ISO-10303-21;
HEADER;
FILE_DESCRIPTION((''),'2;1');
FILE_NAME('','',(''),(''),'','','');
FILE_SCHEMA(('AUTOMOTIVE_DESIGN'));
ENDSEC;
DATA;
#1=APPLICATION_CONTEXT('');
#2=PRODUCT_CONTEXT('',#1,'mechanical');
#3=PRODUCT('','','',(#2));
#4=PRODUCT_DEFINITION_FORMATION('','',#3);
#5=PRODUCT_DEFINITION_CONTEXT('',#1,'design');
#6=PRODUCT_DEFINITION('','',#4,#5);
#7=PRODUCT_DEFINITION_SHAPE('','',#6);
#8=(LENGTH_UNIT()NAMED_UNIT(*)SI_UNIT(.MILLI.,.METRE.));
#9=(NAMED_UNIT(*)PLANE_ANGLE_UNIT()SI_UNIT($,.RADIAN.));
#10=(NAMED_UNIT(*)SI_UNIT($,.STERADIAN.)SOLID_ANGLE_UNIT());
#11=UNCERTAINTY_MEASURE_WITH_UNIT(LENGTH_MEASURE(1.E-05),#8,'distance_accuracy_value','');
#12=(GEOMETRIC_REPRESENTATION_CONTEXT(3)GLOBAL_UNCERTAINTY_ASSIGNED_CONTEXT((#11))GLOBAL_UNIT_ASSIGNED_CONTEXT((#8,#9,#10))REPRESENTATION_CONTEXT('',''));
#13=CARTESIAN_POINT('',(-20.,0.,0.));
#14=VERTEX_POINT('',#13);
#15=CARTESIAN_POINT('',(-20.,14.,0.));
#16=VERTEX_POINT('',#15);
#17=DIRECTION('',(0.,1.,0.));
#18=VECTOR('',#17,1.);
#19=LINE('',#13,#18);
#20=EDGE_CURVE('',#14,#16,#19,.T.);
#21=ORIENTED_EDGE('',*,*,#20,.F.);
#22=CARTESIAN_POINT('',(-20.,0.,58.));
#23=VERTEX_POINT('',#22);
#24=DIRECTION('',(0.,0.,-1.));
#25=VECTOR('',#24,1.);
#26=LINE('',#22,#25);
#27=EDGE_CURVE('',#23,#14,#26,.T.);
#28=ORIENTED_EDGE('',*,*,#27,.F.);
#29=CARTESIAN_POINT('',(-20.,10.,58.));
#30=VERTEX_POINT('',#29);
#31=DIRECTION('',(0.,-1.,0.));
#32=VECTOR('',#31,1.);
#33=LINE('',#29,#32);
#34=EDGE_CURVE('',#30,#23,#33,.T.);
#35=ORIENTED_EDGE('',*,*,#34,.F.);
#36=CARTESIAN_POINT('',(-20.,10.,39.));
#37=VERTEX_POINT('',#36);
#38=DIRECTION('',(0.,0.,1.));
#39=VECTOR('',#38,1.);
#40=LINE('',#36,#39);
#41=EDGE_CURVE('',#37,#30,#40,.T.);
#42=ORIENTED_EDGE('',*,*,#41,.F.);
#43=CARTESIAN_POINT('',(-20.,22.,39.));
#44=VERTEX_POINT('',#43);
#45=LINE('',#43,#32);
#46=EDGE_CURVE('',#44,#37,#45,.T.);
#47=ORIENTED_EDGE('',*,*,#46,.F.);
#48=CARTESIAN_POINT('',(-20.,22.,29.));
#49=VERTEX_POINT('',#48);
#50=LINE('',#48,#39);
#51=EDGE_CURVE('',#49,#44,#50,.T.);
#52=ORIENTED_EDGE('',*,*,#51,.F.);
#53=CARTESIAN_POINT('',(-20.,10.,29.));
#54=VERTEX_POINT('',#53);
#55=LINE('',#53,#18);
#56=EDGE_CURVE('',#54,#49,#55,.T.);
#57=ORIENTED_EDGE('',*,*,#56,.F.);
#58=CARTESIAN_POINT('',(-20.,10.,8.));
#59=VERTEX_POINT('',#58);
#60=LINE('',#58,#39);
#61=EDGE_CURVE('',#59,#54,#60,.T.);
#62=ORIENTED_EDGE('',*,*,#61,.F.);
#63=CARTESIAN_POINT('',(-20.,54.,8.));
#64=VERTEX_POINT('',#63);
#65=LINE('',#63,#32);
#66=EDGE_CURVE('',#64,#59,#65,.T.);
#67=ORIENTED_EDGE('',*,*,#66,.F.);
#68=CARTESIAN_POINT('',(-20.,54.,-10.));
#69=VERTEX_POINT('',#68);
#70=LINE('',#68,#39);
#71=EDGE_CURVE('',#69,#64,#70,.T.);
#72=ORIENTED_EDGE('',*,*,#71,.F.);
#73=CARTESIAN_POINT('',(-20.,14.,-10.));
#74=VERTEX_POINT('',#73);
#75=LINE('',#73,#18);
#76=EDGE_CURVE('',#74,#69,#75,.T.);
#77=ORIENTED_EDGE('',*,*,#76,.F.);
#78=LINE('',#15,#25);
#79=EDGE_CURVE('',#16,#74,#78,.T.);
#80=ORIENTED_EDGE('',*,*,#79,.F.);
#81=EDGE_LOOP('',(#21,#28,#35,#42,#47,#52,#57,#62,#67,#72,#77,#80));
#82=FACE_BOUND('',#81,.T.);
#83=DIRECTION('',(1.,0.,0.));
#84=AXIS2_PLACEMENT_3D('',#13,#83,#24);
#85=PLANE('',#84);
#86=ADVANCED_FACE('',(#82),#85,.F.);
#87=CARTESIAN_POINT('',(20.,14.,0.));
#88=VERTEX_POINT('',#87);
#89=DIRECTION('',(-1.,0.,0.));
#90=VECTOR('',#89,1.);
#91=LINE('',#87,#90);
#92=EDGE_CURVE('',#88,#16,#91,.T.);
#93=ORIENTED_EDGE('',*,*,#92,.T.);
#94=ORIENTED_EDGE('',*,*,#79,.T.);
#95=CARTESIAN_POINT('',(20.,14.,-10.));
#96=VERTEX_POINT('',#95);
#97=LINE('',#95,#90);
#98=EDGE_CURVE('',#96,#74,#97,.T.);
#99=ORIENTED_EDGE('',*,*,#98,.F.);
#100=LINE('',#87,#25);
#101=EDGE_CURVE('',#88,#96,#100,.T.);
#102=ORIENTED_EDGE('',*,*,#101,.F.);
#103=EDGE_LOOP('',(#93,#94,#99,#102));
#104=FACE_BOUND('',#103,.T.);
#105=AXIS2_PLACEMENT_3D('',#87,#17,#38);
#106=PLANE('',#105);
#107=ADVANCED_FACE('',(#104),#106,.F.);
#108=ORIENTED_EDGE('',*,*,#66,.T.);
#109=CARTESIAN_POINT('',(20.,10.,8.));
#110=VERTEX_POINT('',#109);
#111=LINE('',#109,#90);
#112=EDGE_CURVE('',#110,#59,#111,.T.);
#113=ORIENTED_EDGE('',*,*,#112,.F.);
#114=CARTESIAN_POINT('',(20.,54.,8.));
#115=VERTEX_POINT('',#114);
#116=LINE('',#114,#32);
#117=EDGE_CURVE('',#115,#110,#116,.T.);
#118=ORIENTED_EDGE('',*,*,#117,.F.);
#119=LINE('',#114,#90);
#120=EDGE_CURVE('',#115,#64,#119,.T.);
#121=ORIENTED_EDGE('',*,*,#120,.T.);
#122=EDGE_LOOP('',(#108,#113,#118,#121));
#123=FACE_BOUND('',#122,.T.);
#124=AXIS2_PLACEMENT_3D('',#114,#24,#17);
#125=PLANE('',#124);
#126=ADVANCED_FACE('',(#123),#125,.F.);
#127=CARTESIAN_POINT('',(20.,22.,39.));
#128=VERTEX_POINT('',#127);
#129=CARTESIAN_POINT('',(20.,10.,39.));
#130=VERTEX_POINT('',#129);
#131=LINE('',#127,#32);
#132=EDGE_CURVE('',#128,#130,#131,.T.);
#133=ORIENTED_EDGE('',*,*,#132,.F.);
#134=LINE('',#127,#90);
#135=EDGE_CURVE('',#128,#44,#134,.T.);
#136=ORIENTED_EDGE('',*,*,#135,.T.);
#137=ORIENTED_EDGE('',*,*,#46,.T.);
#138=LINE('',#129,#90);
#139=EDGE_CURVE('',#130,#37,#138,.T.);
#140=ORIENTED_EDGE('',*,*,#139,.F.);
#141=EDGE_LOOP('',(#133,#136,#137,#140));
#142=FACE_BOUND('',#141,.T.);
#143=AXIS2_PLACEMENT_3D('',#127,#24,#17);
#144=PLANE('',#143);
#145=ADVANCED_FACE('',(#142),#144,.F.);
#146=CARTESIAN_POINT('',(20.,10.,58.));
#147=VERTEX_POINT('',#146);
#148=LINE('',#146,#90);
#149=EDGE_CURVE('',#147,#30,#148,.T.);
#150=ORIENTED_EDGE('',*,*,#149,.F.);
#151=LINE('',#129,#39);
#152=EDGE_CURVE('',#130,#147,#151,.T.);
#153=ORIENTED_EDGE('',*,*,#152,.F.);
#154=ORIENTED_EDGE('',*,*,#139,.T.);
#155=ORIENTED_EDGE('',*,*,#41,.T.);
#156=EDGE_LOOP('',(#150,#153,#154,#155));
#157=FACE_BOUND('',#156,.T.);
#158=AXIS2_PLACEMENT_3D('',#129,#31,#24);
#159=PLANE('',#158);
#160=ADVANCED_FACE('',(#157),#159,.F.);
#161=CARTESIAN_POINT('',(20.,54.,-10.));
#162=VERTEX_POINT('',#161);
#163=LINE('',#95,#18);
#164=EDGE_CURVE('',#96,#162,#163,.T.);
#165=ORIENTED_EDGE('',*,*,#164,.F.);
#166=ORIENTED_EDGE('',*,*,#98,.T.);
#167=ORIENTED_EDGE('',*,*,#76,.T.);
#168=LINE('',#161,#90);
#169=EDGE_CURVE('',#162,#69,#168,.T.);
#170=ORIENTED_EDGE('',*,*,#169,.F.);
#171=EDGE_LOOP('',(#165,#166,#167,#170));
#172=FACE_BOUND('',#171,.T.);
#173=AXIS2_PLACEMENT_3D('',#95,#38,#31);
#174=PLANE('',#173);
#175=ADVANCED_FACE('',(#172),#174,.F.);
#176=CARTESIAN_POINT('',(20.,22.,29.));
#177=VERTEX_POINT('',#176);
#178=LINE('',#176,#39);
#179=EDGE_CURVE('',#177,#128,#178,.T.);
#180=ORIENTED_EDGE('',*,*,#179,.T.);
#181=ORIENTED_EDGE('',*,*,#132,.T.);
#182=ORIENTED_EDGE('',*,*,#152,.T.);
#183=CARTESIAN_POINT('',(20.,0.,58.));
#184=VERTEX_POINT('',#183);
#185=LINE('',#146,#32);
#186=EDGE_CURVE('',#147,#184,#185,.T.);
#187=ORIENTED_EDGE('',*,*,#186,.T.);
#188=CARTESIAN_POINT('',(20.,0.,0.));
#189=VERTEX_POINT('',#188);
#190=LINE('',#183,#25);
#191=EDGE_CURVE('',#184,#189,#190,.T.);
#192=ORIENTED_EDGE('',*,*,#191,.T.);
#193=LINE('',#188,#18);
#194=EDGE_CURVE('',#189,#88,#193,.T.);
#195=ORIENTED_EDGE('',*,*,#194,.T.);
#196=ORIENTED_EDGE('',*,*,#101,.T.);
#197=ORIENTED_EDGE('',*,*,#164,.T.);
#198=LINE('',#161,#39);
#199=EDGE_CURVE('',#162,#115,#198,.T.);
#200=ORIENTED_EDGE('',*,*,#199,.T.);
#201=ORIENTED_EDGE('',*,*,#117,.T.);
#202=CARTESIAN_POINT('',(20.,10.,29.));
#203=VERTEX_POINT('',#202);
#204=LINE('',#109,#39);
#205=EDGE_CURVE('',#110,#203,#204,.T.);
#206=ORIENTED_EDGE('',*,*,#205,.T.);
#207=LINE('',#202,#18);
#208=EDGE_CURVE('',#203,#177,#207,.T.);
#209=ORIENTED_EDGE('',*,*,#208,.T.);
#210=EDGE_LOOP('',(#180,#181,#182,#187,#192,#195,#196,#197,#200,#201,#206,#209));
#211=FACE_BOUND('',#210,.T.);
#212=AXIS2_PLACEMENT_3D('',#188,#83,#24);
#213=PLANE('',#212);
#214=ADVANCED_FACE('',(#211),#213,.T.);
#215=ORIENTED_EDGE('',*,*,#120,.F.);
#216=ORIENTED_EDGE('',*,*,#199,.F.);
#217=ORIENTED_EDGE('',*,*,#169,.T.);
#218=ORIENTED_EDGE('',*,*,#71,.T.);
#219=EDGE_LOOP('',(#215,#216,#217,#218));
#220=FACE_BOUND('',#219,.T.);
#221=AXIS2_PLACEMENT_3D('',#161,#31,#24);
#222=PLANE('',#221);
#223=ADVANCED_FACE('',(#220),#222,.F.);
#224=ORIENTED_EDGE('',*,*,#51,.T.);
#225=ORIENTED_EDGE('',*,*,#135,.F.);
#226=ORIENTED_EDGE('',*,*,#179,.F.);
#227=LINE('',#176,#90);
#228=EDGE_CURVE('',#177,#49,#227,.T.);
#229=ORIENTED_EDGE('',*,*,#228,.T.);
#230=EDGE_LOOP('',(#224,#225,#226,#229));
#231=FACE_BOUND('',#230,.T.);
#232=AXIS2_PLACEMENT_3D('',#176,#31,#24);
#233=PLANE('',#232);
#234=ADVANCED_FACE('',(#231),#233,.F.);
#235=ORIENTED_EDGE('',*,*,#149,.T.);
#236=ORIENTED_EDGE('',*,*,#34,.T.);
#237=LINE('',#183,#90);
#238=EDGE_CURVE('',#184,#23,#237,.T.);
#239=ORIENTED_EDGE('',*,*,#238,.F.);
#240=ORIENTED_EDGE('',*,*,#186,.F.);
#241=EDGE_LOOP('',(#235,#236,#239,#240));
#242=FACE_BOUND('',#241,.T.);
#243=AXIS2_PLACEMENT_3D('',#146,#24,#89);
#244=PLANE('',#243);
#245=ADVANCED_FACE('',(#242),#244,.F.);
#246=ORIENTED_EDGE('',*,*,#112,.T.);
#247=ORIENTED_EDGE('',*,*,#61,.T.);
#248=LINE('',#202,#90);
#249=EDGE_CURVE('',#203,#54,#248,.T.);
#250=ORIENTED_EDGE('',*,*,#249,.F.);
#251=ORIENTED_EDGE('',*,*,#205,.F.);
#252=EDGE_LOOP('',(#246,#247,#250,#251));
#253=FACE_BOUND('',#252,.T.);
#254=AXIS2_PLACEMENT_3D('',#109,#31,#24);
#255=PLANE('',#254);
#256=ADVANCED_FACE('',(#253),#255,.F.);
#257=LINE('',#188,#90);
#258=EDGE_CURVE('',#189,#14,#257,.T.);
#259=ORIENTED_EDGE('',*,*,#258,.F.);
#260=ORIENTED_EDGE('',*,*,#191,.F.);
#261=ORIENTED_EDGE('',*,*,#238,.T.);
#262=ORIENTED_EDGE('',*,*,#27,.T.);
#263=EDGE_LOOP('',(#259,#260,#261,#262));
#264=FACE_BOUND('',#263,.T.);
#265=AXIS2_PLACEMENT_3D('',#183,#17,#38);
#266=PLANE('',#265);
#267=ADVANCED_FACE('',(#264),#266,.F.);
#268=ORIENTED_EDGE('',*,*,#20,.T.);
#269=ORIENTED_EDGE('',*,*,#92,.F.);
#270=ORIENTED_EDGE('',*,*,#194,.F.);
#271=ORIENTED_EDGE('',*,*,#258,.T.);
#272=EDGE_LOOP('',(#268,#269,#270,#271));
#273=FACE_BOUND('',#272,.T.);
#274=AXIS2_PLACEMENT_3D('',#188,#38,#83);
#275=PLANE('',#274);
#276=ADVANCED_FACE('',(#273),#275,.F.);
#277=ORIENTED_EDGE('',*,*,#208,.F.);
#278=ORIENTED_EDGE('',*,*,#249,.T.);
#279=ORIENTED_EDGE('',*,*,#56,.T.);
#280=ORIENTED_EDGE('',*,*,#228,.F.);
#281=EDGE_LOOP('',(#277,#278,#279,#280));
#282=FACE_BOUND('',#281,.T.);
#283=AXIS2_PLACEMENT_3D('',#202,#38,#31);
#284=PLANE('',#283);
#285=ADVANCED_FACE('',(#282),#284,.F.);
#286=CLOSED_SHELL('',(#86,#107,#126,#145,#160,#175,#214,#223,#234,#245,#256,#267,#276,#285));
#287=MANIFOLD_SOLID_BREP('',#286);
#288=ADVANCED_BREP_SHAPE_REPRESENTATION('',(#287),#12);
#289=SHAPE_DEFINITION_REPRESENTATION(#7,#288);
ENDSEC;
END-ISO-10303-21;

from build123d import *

# Parameters (mm, degrees)
SALIENTE_EXTRUIR2_DEPTH = 20


with BuildPart() as part:
    # Croquis1 → Saliente-Extruir2 (new, symmetric)
    with BuildSketch(Plane(origin=(0, 0, 0), x_dir=(0, 0, -1), z_dir=(1, 0, 0))):
        Polygon((0, 0), (0, 14), (10, 14), (10, 54), (-8, 54), (-8, 10), (-29, 10), (-29, 22), (-39, 22), (-39, 10), (-58, 10), (-58, 0), align=None)
    extrude(amount=SALIENTE_EXTRUIR2_DEPTH, both=True)


solid = part.part
